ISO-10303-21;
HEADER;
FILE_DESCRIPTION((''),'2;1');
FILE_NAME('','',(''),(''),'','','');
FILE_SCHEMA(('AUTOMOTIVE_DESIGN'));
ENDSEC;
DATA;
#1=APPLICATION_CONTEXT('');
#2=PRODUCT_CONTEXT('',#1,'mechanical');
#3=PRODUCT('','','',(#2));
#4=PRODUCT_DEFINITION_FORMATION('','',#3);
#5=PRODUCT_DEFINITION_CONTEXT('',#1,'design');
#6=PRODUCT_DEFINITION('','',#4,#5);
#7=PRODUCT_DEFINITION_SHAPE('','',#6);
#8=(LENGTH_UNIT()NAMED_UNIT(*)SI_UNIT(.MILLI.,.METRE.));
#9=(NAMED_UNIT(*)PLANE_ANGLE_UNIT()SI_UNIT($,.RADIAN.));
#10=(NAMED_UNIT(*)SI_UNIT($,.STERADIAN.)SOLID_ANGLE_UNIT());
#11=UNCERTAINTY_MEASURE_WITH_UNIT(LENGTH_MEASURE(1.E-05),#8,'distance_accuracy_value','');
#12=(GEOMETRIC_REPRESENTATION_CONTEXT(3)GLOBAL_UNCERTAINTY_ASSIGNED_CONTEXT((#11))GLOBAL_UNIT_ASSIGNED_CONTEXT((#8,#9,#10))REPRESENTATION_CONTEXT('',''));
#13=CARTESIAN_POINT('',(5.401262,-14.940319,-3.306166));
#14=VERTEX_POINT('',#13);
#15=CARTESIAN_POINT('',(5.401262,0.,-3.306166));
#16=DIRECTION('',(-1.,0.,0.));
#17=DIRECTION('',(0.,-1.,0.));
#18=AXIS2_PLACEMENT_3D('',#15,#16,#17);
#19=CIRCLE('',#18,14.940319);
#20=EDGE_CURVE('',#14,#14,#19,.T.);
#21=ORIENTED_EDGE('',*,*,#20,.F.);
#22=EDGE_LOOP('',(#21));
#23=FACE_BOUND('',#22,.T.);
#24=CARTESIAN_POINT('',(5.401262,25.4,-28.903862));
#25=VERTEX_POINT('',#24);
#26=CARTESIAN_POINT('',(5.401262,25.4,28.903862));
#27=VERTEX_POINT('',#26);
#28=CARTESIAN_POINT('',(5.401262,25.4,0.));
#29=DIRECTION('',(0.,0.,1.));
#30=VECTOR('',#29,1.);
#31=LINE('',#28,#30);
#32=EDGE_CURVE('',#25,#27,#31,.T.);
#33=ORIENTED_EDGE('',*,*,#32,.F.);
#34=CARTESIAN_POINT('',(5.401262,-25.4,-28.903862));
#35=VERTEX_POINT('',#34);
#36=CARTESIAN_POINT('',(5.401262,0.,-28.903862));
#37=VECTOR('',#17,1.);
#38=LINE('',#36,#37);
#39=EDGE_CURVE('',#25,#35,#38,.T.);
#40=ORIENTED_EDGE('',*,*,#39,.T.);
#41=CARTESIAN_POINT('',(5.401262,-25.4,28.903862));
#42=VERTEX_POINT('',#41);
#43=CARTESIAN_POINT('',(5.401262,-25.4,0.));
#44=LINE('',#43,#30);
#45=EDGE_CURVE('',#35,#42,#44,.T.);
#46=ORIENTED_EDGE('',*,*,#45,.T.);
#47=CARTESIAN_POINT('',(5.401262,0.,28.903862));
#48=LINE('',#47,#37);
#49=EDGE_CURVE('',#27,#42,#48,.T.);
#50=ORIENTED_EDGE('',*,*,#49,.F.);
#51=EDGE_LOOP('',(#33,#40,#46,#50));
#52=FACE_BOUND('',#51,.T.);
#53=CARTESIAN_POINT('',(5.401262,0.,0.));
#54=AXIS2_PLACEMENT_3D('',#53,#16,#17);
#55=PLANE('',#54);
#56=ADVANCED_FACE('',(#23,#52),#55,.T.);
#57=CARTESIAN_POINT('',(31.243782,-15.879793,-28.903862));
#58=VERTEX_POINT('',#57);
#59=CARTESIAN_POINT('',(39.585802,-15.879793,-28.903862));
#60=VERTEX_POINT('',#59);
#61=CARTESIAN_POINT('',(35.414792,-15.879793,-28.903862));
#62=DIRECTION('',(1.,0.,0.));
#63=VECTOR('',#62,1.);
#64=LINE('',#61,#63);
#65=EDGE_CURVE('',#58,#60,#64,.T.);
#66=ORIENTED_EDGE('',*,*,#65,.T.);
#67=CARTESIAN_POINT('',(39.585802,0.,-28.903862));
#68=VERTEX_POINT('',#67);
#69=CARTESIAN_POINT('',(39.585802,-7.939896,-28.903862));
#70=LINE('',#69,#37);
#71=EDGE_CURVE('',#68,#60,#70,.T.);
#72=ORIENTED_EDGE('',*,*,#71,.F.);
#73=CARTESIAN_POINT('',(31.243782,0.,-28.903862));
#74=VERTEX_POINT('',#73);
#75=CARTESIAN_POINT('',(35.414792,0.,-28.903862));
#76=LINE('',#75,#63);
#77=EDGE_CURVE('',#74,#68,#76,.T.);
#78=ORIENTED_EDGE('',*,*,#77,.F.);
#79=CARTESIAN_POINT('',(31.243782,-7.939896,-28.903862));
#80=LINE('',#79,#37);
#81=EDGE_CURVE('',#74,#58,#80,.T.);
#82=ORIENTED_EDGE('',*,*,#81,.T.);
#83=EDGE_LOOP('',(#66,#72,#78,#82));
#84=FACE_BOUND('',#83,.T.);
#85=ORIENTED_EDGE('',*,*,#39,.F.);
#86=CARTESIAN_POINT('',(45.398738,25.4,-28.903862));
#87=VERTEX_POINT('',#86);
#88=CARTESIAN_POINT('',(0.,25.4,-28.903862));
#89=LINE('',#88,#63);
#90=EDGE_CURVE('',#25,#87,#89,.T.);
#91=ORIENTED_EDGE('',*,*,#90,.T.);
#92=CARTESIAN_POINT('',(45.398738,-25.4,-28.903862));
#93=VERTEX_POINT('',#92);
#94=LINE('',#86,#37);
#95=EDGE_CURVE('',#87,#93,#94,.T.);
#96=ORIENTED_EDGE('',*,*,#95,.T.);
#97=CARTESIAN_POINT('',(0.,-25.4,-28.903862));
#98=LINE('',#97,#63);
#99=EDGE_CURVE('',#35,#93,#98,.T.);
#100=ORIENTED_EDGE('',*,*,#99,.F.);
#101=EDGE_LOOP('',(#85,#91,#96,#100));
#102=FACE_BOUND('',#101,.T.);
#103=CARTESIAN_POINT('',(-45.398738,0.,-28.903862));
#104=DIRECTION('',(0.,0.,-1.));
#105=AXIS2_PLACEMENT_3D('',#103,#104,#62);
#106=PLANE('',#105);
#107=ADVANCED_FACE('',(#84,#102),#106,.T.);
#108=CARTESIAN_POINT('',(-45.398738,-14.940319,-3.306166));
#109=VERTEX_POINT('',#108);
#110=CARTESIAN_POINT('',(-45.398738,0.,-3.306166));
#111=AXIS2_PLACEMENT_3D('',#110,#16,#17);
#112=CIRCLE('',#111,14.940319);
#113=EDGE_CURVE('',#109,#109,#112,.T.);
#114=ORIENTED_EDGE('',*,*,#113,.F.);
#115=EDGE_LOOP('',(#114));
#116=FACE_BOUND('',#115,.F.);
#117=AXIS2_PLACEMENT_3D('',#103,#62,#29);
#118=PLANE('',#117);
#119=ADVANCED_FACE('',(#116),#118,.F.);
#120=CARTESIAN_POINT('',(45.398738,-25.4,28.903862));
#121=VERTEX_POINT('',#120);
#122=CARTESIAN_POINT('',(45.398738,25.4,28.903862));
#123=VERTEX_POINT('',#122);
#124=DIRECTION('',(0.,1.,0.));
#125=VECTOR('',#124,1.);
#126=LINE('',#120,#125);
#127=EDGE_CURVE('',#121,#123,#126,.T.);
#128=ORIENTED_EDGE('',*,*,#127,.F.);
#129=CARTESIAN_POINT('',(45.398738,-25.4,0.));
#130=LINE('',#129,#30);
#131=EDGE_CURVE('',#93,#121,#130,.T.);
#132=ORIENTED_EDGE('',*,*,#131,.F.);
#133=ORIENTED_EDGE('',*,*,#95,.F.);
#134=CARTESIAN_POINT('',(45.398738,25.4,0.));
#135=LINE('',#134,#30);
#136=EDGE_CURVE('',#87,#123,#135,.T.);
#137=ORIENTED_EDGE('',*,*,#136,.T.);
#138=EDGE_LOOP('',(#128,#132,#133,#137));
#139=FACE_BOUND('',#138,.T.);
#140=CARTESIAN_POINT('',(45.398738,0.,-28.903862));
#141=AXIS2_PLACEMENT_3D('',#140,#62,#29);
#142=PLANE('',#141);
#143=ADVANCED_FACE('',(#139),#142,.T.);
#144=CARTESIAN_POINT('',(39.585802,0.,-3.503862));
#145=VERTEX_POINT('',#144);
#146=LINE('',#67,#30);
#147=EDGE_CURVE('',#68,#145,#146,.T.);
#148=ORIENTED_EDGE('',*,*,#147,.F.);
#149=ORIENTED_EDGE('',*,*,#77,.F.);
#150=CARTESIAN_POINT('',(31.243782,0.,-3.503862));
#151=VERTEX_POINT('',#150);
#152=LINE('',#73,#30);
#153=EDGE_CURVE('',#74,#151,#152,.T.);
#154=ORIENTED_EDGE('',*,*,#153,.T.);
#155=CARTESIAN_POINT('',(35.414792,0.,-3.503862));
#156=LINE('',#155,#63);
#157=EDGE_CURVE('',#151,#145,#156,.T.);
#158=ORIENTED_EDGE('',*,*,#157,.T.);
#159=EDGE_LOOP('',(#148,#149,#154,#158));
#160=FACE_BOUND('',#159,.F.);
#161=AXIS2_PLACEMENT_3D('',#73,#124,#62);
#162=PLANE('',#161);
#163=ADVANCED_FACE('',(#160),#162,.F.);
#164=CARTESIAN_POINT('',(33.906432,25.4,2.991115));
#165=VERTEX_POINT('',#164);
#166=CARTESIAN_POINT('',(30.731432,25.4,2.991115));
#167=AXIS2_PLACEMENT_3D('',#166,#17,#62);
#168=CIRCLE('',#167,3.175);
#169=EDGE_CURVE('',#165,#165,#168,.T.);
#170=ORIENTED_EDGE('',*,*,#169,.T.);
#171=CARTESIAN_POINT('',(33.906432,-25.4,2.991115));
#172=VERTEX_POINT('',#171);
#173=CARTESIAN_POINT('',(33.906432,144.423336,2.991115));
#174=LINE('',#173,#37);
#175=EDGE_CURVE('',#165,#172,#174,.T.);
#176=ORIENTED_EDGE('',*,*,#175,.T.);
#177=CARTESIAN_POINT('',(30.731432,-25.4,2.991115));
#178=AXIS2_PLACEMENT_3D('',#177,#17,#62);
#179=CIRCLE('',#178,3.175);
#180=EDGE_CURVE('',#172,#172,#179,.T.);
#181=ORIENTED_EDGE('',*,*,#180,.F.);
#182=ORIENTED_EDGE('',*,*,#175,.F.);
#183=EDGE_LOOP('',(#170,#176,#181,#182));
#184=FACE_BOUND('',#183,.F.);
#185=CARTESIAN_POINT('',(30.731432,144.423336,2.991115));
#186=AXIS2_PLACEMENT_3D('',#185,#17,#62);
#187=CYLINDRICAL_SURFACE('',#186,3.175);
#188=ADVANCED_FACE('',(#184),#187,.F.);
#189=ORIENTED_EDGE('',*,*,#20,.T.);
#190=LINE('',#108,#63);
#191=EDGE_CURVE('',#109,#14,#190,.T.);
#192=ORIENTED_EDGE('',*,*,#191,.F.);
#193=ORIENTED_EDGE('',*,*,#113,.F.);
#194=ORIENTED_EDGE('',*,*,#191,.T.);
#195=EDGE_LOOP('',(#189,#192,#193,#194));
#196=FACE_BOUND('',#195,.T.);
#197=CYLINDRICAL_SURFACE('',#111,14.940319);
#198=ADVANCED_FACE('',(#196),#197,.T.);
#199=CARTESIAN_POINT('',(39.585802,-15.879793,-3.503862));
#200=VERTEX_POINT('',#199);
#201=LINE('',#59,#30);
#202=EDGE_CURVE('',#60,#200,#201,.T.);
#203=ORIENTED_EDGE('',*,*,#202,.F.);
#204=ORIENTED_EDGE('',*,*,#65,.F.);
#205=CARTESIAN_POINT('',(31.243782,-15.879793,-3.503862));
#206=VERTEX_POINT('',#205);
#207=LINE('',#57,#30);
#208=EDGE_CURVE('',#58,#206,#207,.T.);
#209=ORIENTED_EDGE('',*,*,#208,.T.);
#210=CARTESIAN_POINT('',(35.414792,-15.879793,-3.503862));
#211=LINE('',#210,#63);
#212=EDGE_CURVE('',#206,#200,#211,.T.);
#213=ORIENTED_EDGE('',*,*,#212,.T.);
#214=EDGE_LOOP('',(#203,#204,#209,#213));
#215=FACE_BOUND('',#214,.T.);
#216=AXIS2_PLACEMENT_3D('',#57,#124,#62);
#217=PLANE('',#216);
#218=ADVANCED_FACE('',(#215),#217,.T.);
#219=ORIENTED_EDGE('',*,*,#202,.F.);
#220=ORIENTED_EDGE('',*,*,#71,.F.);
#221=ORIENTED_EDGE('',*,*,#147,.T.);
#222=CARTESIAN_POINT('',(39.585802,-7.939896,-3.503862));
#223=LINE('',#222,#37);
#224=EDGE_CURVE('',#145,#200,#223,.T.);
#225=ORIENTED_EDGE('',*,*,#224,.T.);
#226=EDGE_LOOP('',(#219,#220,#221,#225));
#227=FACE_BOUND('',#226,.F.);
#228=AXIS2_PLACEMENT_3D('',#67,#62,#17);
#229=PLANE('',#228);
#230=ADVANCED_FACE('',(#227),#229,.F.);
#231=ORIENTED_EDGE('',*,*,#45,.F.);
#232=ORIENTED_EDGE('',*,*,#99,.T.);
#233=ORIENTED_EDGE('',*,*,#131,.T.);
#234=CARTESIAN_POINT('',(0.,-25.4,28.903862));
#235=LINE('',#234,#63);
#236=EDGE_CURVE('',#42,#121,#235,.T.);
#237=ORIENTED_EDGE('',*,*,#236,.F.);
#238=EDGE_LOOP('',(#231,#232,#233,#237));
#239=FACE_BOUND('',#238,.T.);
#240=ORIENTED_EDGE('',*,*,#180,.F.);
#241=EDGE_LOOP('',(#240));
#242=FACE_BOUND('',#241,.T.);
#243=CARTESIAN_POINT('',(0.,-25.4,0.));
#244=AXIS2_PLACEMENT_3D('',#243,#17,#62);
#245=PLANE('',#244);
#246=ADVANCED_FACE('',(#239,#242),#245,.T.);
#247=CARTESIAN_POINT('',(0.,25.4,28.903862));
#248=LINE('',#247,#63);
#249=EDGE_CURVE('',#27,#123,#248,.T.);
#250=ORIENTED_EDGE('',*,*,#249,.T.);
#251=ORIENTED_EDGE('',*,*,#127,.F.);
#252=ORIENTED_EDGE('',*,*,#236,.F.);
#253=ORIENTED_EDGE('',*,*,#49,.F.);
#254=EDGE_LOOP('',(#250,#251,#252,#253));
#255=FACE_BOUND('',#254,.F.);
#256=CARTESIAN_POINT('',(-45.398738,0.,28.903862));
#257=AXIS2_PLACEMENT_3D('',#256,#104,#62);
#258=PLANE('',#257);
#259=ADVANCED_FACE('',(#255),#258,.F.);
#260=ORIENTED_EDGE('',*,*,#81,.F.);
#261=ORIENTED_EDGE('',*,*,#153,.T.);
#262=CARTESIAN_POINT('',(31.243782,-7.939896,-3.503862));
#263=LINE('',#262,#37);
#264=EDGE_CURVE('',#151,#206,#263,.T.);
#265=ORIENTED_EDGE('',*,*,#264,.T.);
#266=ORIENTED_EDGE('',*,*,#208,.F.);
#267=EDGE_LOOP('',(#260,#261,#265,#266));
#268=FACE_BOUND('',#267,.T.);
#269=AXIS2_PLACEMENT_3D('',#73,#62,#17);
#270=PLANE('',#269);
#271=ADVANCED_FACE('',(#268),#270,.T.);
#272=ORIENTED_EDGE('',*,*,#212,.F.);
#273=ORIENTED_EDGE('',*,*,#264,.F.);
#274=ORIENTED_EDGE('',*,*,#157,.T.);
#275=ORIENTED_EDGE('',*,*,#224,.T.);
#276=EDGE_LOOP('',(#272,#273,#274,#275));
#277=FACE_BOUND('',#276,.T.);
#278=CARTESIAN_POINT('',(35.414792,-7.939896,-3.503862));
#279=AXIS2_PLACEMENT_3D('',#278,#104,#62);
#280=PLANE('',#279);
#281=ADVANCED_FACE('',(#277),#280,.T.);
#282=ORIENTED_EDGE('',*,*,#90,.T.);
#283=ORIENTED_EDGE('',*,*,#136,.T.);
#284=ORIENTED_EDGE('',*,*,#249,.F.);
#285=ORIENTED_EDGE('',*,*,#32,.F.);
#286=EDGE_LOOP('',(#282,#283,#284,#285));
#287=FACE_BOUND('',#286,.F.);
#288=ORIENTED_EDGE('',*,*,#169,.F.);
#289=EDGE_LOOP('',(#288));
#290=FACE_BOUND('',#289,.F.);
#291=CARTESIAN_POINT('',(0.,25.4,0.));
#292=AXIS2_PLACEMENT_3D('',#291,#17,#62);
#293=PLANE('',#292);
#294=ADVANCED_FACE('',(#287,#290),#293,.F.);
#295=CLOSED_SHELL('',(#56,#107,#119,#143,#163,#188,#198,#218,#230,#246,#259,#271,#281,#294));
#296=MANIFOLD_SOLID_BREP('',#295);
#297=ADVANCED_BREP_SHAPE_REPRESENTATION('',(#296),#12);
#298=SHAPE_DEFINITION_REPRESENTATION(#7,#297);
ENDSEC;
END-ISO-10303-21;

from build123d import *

# Parameters (mm, degrees)
F0_W     = 90.797476
F0_H     = 57.807724
F1_DEPTH = 25.4
F2_W     = 50.8
F2_H     = 57.807724
F2_R     = 14.940319
F3_DEPTH = 50.8
F5_D     = 6.35
F6_W     = 8.342021
F6_H     = 15.879793
F7_DEPTH = 25.4


with BuildPart() as f1:
    # F0 (on Front) → F1 (new body, symmetric)
    with BuildSketch(Plane.XZ):
        Rectangle(F0_W, F0_H)
    extrude(amount=F1_DEPTH, both=True)

    # F2 (on face) → F3 (cut)
    with BuildSketch(Plane(origin=(-45.398738, 0, 0), x_dir=(0, -1, 0), z_dir=(-1, 0, 0))):
        Rectangle(F2_W, F2_H)
        with Locations((0, -3.306166)):
            Circle(F2_R, mode=Mode.SUBTRACT)
    extrude(amount=-F3_DEPTH, mode=Mode.SUBTRACT)

    # F5 (through all)
    with Locations(Plane(origin=(0, 25.4, 0), x_dir=(-1, 0, 0), z_dir=(0, 1, 0))):
        with Locations((-30.731432, 2.991115)):
            Hole(F5_D / 2)

    # F6 (on face) → F7 (cut)
    with BuildSketch(Plane(origin=(0, 0, -28.903862), x_dir=(1, 0, 0), z_dir=(0, 0, -1))):
        with Locations((35.414792, 7.939896)):
            Rectangle(F6_W, F6_H)
    extrude(amount=-F7_DEPTH, mode=Mode.SUBTRACT)


solid = f1.part
